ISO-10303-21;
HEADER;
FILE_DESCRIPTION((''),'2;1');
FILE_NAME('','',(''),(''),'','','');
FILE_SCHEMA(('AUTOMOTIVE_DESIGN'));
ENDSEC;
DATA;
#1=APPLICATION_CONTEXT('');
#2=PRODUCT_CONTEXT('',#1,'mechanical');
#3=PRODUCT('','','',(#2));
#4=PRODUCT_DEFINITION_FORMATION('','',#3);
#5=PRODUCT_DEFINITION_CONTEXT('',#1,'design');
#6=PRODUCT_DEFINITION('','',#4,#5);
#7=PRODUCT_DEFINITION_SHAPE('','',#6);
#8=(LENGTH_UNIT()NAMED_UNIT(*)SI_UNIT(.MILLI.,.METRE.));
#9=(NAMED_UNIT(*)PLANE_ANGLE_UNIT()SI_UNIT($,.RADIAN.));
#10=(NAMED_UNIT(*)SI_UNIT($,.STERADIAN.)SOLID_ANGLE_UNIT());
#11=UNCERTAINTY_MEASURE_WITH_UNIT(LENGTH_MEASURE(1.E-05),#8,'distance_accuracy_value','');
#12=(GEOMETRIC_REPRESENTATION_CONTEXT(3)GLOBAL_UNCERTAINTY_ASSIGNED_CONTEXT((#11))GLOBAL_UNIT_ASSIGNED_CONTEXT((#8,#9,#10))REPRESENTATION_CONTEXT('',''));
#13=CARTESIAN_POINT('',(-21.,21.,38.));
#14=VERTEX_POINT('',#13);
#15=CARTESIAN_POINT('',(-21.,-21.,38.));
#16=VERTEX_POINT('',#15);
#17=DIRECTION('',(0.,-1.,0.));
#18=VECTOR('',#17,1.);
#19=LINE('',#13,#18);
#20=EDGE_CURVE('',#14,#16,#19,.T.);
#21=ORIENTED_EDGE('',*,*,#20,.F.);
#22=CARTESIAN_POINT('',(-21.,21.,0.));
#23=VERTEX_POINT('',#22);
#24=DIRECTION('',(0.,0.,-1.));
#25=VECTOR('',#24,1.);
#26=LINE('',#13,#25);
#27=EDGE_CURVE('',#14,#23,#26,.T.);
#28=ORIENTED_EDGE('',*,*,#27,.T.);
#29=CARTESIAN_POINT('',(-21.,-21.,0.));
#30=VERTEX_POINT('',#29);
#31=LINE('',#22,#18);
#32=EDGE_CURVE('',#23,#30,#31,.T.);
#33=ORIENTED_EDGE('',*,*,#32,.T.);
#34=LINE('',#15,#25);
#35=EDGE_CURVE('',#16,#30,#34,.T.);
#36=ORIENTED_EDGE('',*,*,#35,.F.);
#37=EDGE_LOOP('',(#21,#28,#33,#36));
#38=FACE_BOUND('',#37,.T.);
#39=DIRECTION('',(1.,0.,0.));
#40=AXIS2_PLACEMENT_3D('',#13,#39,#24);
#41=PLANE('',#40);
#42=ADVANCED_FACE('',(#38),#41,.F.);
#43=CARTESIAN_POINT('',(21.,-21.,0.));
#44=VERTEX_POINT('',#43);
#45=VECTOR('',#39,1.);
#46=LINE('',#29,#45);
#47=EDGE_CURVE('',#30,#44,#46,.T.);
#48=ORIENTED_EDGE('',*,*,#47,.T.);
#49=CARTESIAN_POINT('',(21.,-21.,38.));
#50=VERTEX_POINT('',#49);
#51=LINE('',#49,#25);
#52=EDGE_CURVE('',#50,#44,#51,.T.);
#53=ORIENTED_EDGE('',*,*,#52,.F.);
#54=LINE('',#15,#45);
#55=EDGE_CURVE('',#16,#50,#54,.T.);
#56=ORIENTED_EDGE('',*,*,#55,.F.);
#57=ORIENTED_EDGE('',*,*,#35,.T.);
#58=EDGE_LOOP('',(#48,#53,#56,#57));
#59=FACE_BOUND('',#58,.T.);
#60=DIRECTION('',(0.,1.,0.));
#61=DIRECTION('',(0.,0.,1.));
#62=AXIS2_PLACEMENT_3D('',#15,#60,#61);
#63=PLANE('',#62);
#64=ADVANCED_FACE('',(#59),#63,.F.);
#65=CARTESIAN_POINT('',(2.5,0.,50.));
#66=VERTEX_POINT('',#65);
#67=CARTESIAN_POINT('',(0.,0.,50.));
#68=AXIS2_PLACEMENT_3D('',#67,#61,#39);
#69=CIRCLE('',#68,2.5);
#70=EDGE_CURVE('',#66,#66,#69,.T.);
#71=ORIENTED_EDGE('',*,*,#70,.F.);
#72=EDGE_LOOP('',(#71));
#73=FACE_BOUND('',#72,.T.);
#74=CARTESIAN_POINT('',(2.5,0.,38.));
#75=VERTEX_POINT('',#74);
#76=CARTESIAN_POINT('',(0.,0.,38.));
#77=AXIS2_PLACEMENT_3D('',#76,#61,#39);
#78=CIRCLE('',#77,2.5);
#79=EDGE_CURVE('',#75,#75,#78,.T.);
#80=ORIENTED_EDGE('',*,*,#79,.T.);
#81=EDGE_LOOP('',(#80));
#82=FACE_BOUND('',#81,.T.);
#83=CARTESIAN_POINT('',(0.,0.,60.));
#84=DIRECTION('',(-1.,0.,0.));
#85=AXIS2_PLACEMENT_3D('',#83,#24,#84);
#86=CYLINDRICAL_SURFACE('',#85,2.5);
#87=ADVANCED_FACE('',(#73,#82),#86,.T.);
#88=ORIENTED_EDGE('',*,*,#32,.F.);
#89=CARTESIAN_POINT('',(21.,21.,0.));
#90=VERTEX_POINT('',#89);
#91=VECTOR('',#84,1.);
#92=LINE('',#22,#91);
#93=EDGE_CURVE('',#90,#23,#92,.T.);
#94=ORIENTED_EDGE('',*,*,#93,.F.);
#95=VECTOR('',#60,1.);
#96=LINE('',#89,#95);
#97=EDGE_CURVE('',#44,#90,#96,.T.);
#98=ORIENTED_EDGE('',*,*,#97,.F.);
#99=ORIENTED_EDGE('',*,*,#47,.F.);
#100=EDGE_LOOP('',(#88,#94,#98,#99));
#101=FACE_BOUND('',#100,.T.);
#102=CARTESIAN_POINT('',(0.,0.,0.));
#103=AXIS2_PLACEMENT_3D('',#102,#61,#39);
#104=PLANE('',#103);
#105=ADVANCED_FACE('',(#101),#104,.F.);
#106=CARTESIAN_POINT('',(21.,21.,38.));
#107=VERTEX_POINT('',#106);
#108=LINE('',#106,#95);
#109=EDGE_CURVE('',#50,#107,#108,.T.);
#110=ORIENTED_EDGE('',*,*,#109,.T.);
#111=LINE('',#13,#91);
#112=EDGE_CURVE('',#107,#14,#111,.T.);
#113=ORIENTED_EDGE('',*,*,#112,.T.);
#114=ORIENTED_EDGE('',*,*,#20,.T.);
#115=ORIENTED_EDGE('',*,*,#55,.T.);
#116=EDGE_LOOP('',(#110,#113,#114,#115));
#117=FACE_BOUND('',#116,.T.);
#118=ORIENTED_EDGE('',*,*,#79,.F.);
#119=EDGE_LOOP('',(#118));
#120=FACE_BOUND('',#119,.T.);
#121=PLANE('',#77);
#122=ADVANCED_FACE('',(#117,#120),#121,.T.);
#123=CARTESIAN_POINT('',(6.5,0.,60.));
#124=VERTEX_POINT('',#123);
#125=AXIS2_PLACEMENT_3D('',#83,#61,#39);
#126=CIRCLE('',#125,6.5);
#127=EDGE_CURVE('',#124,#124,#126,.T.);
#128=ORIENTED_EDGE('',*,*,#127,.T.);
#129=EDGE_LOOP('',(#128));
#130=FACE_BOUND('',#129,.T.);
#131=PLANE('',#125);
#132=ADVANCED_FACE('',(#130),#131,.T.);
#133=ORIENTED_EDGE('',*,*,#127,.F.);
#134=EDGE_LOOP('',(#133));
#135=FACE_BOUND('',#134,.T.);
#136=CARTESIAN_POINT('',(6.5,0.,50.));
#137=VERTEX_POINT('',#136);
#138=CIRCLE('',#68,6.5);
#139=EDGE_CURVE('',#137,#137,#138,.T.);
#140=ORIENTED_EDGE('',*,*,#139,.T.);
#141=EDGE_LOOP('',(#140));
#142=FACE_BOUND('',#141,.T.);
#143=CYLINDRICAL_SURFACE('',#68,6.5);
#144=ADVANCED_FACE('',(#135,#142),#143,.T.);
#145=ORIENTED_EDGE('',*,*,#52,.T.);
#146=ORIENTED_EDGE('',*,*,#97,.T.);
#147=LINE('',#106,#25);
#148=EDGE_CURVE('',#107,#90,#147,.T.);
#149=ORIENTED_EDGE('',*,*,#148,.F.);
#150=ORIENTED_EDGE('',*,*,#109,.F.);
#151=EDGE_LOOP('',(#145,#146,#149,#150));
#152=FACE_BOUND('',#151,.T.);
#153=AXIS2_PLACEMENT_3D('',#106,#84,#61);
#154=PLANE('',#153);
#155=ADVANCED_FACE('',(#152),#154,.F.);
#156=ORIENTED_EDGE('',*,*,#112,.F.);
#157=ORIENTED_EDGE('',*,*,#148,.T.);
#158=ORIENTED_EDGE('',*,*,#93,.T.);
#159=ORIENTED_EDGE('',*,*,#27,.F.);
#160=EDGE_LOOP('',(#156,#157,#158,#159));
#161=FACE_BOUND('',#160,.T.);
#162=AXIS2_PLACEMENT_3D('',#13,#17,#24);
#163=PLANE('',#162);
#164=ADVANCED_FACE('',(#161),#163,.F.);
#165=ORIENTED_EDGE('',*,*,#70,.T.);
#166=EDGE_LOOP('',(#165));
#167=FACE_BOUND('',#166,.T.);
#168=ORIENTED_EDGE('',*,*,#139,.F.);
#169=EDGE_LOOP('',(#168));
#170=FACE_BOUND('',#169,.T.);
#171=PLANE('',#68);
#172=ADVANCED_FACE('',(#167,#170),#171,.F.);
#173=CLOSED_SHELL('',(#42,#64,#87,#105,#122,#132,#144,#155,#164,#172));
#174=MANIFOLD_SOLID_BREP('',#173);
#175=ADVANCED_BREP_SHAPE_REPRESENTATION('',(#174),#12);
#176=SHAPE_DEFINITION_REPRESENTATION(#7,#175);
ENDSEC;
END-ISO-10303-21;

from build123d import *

# Parameters (mm, degrees)
SKETCH1_W           = 42
SKETCH1_H           = 42
BOSS_EXTRUDE1_DEPTH = 38
SKETCH2_R           = 2.5
BOSS_EXTRUDE2_DEPTH = 22
SKETCH3_R           = 6.5
BOSS_EXTRUDE3_DEPTH = 10


with BuildPart() as part:
    # Sketch1 → Boss-Extrude1 (new body)
    with BuildSketch(Plane.XY):
        Rectangle(SKETCH1_W, SKETCH1_H)
    extrude(amount=BOSS_EXTRUDE1_DEPTH)

    # Sketch2 → Boss-Extrude2 (add)
    with BuildSketch(Plane.XY.offset(38)):
        Circle(SKETCH2_R)
    extrude(amount=BOSS_EXTRUDE2_DEPTH)

    # Sketch3 → Boss-Extrude3 (add)
    with BuildSketch(Plane.XY.offset(60)):
        Circle(SKETCH3_R)
    extrude(amount=-BOSS_EXTRUDE3_DEPTH)


solid = part.part
